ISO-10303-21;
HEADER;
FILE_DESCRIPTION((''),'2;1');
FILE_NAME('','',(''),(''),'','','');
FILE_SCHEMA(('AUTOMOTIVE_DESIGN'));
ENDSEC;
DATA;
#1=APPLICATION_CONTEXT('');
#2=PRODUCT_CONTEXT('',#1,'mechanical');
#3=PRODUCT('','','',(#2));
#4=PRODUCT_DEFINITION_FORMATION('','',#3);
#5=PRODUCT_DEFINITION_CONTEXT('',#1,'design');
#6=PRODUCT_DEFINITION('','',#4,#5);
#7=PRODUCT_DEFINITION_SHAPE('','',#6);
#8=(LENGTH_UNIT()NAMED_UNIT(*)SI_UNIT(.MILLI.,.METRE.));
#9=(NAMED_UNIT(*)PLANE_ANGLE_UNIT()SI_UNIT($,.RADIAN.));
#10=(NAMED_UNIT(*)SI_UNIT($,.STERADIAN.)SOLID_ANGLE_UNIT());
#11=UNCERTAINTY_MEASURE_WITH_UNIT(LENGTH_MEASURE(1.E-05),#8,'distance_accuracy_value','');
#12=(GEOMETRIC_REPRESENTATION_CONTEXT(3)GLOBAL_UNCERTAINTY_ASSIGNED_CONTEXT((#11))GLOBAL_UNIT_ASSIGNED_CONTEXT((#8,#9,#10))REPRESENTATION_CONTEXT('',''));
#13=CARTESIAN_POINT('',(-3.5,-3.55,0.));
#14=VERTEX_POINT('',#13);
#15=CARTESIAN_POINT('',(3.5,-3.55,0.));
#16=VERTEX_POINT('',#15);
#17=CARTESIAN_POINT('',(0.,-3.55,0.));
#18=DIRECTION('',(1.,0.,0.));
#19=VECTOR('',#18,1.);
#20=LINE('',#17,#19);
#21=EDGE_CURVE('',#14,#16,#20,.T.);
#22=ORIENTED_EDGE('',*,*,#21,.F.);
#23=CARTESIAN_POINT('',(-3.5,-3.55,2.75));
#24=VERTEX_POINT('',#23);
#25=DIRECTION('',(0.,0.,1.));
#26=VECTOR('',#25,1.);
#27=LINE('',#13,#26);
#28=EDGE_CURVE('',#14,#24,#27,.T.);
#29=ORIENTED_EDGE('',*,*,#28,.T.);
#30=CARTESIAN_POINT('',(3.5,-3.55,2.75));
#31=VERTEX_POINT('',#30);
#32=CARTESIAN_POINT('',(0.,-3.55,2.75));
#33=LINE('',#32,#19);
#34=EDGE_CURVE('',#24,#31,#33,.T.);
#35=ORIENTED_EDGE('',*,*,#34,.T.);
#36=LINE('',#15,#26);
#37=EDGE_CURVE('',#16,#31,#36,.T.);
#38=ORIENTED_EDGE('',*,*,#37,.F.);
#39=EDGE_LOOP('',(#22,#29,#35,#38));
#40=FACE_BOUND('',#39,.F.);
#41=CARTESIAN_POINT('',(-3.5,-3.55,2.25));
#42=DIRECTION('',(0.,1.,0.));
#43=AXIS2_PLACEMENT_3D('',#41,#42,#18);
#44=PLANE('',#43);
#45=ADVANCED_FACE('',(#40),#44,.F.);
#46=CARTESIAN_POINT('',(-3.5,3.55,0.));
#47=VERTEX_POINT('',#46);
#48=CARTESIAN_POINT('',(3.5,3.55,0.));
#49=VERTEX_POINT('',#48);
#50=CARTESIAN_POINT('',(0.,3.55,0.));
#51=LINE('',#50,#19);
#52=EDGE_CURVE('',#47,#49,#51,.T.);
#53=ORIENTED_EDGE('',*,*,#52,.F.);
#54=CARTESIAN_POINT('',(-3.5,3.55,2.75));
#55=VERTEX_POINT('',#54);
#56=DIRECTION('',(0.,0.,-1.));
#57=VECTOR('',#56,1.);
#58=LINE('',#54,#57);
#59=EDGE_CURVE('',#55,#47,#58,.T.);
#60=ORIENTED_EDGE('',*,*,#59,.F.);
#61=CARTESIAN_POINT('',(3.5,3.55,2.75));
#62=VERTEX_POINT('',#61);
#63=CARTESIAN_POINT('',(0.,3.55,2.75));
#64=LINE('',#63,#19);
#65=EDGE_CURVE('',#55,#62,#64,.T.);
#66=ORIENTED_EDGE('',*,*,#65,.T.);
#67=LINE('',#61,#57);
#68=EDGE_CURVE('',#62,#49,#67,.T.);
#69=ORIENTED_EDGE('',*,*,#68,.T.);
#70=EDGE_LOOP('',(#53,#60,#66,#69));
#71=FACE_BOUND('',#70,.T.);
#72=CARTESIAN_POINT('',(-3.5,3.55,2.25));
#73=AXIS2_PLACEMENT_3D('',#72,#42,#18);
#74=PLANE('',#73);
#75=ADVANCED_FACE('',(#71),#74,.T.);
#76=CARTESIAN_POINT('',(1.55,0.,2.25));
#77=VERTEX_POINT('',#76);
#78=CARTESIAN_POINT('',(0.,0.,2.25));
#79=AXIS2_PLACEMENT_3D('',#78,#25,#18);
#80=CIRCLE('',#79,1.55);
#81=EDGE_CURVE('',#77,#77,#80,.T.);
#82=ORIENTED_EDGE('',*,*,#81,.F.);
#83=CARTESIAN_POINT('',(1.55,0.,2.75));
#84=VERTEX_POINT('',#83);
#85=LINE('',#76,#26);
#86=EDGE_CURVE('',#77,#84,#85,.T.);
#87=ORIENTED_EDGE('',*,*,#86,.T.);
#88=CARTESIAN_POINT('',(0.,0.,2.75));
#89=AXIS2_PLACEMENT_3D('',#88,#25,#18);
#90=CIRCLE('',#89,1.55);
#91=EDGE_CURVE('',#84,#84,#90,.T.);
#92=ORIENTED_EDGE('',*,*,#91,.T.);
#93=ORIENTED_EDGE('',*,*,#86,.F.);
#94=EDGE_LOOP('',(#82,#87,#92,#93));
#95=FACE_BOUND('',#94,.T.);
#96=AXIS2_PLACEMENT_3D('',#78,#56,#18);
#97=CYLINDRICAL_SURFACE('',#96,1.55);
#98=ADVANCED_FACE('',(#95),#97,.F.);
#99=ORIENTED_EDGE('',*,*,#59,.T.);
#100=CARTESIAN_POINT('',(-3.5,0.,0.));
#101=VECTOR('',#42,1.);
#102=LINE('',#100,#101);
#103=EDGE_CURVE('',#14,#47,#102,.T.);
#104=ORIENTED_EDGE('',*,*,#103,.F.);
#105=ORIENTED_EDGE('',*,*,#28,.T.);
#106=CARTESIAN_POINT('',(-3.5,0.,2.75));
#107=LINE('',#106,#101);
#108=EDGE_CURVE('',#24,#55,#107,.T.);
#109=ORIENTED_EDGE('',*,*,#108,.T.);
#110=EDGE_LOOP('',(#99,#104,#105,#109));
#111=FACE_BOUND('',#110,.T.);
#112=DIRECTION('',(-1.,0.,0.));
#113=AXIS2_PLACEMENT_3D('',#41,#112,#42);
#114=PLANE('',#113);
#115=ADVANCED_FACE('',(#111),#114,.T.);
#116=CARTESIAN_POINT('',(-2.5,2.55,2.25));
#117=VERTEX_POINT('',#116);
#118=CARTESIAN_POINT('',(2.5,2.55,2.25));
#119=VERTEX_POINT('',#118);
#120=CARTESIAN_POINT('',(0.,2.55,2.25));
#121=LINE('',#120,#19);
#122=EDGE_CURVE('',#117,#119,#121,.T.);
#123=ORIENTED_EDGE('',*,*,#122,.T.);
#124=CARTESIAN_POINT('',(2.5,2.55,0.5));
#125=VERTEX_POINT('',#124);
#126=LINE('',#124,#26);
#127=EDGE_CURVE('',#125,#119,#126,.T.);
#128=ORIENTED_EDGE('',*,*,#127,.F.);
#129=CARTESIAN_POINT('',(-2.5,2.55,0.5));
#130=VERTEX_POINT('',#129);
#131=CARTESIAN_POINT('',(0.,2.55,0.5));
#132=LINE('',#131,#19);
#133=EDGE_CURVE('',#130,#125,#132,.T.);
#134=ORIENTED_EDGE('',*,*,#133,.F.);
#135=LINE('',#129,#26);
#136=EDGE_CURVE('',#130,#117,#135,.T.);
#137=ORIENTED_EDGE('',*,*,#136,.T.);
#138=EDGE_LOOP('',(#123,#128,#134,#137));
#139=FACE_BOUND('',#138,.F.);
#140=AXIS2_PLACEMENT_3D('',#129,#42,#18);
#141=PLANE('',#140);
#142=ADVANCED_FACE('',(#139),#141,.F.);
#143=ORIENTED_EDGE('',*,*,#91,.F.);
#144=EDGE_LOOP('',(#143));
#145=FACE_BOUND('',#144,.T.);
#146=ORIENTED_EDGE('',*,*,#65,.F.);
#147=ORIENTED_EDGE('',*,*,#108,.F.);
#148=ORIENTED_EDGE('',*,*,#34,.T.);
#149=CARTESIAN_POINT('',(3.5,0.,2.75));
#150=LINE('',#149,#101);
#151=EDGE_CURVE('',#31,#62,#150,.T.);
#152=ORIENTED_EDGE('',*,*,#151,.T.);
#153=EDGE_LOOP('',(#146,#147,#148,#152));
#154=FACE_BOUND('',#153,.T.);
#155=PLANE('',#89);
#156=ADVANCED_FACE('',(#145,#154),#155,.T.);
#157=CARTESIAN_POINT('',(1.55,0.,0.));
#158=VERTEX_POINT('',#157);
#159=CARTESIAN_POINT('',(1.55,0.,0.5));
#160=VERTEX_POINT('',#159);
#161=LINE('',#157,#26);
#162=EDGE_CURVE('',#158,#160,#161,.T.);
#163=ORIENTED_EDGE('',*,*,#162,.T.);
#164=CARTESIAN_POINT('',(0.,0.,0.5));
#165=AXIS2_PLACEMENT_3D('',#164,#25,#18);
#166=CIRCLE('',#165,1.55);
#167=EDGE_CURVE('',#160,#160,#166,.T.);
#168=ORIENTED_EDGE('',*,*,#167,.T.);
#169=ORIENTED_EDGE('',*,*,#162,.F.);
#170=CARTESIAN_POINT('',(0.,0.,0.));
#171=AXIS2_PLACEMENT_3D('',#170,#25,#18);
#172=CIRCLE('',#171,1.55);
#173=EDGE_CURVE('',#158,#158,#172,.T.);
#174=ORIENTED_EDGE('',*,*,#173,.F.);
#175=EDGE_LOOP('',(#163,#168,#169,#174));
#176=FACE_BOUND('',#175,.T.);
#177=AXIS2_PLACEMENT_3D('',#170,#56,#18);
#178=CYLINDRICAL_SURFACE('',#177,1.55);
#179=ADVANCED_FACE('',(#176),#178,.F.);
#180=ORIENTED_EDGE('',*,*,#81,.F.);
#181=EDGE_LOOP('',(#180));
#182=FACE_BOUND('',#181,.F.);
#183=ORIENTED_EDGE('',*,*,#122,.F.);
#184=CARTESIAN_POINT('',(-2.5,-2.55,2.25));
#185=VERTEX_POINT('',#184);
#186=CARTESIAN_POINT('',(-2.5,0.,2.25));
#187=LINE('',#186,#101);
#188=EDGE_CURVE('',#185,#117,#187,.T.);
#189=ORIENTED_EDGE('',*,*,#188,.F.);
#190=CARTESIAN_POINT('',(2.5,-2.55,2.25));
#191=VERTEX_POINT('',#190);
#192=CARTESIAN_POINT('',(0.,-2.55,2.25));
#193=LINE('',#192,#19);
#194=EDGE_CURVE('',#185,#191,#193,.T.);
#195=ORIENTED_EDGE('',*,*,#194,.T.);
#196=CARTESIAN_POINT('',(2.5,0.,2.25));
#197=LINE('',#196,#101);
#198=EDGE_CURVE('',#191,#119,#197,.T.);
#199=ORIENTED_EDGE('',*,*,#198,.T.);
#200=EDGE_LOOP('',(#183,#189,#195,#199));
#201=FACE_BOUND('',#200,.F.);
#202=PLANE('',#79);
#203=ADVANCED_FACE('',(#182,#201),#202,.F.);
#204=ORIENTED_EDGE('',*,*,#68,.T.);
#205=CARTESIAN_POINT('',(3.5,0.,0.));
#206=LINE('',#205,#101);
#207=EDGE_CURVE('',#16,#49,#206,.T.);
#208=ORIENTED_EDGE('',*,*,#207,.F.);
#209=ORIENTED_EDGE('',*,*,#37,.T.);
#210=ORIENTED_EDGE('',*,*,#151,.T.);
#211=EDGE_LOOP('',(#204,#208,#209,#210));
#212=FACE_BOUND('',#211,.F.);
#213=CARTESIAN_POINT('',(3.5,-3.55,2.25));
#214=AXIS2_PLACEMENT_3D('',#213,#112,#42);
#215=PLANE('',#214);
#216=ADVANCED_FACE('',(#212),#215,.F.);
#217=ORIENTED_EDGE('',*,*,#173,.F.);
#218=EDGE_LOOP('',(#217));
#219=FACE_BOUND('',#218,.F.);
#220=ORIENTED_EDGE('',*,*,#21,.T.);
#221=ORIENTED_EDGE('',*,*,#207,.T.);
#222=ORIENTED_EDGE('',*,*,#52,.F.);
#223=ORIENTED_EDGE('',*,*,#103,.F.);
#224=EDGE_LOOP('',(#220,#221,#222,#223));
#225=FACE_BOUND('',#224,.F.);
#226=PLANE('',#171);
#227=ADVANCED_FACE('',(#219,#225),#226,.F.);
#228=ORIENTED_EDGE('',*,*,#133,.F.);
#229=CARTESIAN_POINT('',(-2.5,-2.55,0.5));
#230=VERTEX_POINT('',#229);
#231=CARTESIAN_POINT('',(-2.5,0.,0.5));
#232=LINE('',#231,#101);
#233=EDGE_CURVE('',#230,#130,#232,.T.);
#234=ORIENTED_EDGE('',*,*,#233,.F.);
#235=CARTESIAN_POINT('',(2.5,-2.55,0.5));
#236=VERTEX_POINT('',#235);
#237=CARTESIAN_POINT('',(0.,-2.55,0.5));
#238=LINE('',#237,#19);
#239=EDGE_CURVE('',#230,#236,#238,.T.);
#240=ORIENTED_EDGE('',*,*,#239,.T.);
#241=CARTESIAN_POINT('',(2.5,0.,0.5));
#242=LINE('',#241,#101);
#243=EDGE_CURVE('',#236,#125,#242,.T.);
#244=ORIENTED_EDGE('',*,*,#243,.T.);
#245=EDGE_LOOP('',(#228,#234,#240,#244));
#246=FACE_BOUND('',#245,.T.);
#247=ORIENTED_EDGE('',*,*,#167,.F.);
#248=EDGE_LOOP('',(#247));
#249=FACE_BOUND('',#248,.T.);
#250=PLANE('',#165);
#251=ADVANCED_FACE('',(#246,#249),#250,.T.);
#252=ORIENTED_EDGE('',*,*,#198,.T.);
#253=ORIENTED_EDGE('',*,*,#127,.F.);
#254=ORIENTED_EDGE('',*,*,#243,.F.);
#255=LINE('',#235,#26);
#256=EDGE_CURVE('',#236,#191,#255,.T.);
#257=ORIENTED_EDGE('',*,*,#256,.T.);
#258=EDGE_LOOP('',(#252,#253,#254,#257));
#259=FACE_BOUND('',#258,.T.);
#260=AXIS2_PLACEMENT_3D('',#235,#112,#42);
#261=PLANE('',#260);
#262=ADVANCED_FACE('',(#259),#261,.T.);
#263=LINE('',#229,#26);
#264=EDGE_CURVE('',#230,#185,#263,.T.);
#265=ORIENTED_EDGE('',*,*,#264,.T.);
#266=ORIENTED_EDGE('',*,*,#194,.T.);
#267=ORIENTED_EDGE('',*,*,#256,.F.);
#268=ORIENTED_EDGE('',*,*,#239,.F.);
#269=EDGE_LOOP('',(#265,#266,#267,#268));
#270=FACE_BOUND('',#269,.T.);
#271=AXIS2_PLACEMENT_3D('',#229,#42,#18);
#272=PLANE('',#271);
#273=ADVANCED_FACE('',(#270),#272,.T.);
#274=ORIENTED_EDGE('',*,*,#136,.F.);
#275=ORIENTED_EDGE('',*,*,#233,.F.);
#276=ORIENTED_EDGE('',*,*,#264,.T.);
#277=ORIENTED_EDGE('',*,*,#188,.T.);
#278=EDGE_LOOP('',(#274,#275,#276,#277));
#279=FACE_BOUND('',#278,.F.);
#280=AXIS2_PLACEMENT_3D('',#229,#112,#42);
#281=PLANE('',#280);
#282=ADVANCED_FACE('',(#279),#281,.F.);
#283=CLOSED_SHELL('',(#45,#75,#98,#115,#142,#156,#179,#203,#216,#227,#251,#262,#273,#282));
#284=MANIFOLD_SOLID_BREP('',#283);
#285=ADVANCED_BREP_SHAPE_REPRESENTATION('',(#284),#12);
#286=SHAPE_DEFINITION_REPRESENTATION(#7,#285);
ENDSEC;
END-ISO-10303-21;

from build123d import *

# Parameters (mm, degrees)
F0_W     = 7
F0_H     = 7.1
F0_R     = 1.55
F1_DEPTH = 0.5
F2_W     = 7
F2_H     = 7.1
F2_W_2   = 5
F2_H_2   = 5.1
F3_DEPTH = 1.75
F4_W     = 7
F4_H     = 7.1
F4_R     = 1.55
F5_DEPTH = 0.5


with BuildPart() as f1:
    # F0 (on Top) → F1 (new body)
    with BuildSketch(Plane.XY):
        Rectangle(F0_W, F0_H)
        Circle(F0_R, mode=Mode.SUBTRACT)
    extrude(amount=F1_DEPTH)

    # F2 (on face) → F3 (join)
    with BuildSketch(Plane.XY.offset(0.5)):
        Rectangle(F2_W, F2_H)
        Rectangle(F2_W_2, F2_H_2, mode=Mode.SUBTRACT)
    extrude(amount=F3_DEPTH)

    # F4 (on face) → F5 (join)
    with BuildSketch(Plane.XY.offset(2.25)):
        Rectangle(F4_W, F4_H)
        Circle(F4_R, mode=Mode.SUBTRACT)
    extrude(amount=F5_DEPTH)


solid = f1.part
